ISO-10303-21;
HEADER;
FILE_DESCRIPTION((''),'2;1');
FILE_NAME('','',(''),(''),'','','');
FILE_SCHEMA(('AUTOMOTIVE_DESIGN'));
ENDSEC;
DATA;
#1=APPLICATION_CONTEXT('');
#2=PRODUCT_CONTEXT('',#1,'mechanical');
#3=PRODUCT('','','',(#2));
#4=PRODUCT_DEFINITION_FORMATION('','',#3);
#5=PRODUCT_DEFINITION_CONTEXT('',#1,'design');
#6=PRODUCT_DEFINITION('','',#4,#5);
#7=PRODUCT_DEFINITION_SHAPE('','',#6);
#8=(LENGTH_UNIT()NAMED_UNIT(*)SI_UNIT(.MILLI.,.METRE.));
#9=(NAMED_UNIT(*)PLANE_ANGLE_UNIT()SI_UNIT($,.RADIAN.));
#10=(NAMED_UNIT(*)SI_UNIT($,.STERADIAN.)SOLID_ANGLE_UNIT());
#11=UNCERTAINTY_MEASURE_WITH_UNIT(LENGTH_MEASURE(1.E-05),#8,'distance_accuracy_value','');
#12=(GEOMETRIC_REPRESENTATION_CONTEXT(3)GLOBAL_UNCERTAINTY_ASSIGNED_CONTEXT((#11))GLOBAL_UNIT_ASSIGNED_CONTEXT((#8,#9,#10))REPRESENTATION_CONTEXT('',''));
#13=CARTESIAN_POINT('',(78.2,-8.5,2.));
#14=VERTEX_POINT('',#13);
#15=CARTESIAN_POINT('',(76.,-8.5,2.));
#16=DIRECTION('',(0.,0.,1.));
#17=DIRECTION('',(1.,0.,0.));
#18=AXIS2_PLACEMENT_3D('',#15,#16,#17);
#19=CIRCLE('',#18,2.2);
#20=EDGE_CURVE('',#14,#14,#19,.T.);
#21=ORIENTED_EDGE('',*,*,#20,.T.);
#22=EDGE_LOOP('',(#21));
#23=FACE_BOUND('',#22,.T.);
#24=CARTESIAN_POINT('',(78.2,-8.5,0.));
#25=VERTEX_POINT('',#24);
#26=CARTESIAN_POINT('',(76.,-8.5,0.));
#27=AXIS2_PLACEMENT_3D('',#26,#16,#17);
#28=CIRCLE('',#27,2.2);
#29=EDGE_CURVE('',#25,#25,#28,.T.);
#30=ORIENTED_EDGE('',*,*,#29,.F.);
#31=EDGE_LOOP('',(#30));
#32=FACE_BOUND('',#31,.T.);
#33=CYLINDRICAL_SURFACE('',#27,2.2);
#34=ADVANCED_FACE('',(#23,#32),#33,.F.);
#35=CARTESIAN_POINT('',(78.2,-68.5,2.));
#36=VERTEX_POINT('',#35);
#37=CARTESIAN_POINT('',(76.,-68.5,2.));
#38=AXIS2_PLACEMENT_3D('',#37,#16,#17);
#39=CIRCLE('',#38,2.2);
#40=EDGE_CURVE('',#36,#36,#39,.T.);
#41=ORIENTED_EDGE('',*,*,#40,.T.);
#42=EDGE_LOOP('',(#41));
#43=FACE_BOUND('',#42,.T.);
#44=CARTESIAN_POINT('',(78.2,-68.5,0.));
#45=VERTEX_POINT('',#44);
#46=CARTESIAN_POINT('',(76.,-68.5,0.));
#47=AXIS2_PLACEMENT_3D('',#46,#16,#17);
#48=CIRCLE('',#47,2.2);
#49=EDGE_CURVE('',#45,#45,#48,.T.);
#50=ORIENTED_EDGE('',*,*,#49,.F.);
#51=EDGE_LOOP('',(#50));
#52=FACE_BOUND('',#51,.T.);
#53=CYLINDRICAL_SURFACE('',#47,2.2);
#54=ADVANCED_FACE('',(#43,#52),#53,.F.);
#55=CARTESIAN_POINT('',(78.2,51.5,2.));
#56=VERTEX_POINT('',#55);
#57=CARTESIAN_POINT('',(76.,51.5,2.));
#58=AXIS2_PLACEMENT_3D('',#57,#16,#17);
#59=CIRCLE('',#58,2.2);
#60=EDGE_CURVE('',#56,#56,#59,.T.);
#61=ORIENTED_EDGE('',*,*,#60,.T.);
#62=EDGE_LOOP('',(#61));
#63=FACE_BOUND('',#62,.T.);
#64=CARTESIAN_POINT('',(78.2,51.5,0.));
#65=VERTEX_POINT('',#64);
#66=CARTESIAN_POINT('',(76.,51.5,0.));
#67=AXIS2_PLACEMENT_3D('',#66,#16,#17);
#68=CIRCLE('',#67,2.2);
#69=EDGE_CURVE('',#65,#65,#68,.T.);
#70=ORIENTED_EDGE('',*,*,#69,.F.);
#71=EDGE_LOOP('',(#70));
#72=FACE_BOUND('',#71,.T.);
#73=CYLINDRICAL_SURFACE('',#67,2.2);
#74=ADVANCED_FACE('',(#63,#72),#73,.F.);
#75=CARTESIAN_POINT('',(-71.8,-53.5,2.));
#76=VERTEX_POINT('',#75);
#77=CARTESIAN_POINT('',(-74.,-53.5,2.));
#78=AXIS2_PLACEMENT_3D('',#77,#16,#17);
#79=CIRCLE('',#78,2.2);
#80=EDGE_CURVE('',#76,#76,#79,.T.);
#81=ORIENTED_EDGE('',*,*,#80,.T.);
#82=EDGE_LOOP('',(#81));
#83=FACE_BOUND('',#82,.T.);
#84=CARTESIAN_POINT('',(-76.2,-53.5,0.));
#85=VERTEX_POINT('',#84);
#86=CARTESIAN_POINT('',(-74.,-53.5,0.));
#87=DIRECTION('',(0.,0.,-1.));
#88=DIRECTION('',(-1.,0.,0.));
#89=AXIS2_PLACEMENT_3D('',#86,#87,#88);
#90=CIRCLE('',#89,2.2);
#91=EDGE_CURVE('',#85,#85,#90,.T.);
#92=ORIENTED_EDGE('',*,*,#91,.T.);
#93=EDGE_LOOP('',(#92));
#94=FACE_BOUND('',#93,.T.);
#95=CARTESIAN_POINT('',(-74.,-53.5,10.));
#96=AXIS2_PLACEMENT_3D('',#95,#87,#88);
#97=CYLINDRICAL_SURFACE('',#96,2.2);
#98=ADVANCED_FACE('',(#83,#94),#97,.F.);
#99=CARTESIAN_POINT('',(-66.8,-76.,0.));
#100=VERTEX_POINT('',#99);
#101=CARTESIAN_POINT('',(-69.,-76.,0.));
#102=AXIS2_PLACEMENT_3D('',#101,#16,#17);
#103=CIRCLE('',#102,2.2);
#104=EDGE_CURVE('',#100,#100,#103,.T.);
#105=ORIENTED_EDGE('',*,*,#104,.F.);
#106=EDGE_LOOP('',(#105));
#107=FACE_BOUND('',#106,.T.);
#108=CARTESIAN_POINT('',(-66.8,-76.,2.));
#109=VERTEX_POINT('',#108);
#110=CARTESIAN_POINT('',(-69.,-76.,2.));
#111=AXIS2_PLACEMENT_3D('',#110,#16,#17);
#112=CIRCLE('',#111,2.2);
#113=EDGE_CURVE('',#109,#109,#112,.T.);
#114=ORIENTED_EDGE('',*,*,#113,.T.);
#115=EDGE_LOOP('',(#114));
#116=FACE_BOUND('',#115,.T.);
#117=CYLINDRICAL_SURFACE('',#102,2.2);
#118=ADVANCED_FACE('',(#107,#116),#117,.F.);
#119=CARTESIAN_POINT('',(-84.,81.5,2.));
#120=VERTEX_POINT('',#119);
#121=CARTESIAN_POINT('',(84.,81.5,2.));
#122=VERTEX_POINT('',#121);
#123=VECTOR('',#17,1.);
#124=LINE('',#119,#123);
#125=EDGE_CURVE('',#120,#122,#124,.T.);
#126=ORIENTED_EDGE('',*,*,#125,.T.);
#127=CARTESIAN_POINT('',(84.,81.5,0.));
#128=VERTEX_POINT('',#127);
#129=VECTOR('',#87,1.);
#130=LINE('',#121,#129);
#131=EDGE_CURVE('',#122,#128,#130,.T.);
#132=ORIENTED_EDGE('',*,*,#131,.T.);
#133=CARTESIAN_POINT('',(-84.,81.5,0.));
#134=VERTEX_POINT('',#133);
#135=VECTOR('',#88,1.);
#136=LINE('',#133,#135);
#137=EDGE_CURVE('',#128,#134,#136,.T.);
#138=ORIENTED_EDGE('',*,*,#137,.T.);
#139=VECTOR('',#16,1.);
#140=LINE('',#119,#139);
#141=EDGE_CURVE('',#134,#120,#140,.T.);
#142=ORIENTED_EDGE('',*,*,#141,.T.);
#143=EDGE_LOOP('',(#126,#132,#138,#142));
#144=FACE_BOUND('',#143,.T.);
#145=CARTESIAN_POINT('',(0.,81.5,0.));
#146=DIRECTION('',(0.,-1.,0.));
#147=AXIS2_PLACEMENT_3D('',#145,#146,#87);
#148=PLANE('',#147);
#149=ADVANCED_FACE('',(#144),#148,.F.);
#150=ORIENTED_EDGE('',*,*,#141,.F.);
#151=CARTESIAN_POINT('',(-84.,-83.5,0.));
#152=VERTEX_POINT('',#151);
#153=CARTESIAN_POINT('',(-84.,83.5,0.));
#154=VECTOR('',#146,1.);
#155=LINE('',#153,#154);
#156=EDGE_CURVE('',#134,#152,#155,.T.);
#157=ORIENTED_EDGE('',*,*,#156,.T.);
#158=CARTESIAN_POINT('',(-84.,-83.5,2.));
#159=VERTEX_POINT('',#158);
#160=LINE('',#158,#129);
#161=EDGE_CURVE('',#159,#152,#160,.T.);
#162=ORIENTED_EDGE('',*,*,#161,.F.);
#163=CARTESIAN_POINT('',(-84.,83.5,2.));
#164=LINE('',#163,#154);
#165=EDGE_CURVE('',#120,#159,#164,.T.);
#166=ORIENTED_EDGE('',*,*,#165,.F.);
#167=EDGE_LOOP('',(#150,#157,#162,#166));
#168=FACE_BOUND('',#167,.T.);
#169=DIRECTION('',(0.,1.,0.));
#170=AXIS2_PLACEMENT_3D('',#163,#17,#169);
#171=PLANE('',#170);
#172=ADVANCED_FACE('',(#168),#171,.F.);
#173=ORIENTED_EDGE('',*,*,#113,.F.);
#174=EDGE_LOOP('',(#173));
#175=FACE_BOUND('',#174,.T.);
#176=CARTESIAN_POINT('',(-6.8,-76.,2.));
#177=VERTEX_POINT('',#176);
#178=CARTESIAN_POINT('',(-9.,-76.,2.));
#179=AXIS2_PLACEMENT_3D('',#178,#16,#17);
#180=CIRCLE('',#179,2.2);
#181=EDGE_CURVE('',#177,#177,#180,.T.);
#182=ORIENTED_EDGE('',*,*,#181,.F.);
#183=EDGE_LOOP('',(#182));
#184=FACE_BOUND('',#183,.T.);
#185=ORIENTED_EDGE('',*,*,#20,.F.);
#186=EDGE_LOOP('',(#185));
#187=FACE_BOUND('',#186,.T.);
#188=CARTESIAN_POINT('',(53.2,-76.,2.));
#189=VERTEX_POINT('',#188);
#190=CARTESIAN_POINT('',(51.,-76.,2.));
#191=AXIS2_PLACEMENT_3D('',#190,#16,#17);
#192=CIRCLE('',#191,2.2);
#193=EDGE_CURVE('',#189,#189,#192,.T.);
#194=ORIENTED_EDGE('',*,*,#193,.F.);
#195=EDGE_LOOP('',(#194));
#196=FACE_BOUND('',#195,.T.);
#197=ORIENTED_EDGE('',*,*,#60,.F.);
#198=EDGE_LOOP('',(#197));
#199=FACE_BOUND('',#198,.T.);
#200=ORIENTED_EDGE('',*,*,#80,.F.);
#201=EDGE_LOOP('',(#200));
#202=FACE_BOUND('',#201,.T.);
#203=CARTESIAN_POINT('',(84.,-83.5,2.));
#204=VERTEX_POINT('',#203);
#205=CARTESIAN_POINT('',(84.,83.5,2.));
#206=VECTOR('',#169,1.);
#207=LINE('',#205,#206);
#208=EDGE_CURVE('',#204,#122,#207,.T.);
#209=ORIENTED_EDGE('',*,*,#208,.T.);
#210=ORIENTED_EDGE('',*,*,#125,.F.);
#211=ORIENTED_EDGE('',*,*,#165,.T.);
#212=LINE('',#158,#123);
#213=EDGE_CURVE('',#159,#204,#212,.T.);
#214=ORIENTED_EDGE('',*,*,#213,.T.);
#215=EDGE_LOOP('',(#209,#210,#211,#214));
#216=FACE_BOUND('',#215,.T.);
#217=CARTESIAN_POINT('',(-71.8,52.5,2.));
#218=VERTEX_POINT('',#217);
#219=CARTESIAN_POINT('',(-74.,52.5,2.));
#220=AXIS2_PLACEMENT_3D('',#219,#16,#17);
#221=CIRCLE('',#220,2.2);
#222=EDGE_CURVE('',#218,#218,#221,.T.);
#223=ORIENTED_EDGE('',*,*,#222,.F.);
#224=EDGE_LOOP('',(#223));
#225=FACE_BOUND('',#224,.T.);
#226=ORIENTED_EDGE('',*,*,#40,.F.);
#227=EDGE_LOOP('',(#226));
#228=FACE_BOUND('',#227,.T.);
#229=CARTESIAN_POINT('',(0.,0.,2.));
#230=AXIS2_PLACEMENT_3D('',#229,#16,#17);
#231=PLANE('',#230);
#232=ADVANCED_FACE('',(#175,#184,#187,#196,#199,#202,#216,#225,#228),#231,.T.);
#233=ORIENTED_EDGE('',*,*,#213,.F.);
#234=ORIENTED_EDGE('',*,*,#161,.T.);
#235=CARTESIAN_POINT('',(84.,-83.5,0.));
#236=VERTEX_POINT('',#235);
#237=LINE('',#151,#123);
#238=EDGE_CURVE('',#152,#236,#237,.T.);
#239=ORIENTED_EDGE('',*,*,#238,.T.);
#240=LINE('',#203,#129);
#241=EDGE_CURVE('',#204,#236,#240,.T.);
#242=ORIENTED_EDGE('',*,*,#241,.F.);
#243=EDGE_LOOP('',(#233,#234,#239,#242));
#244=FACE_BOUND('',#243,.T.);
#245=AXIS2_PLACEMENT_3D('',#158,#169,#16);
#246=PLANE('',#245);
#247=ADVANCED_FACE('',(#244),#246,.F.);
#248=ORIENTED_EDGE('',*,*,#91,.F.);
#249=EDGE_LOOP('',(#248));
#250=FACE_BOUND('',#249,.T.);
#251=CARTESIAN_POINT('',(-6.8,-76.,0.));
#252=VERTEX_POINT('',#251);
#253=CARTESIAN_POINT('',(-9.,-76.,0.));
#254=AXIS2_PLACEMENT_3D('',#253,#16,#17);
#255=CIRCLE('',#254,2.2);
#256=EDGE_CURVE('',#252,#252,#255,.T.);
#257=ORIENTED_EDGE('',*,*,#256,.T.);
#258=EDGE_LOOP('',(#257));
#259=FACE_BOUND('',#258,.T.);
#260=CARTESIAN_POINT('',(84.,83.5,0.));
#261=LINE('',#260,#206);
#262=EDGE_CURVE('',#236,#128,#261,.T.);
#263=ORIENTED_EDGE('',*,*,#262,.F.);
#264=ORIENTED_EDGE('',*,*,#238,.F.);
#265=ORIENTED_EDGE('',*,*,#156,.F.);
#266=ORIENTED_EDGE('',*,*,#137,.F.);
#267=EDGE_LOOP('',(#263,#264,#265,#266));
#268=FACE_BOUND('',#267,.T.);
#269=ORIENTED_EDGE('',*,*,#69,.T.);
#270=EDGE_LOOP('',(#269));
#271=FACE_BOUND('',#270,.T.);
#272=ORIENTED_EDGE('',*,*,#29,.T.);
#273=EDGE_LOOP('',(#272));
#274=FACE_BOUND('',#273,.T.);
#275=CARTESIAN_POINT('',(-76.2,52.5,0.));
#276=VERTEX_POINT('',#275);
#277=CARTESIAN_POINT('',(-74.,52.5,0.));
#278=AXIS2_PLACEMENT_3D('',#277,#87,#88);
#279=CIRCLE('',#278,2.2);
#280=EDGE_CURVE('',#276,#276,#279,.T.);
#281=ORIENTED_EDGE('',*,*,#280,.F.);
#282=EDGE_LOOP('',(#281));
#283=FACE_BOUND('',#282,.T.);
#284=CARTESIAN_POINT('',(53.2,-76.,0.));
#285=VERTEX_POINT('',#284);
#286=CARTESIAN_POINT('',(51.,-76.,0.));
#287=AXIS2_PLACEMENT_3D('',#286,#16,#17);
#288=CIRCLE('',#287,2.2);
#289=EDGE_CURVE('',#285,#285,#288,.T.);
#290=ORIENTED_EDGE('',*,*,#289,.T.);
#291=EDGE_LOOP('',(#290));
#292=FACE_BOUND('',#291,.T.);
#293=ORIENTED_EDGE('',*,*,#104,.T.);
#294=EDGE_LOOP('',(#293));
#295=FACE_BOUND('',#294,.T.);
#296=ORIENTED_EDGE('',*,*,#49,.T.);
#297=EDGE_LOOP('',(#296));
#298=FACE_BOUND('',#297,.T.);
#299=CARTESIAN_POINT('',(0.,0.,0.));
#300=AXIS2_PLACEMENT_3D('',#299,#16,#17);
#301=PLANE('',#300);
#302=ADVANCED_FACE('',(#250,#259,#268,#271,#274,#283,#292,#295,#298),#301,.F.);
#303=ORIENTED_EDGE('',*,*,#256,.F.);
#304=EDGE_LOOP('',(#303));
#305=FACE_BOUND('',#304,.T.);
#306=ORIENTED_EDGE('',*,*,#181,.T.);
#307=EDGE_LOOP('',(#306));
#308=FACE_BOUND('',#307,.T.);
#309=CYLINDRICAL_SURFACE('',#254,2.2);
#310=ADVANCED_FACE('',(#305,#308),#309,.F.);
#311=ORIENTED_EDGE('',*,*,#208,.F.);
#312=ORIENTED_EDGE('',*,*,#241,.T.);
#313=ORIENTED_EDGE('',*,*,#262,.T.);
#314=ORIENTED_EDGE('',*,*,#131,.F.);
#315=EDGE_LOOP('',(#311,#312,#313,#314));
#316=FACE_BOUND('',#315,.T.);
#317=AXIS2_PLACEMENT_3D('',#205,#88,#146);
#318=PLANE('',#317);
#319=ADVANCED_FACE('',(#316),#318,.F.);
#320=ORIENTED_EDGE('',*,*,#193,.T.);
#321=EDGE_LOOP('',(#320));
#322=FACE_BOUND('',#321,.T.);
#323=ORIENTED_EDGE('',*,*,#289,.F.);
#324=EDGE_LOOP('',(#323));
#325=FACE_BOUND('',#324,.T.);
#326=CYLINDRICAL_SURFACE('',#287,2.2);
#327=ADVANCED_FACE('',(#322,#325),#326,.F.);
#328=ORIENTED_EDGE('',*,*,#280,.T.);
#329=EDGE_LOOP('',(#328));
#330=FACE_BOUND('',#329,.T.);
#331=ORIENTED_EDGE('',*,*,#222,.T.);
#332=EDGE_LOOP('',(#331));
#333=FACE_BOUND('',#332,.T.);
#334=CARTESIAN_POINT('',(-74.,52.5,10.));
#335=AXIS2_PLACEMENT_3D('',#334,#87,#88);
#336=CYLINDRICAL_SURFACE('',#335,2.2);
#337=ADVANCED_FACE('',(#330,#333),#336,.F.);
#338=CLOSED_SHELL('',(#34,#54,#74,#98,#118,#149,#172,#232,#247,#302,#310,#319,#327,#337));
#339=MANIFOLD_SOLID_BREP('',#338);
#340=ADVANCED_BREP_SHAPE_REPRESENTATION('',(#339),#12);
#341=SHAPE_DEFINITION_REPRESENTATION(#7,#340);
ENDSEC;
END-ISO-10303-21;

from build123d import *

# Parameters (mm, degrees)
SKETCH_1_W          = 168
SKETCH_1_H          = 167
EXTRUDE_1_DEPTH     = 2
SKETCH_2_R          = 2.2
CUT_EXTRUDE_1_DEPTH = 2
SKETCH_3_W          = 168
SKETCH_3_H          = 2
CUT_EXTRUDE_2_DEPTH = 2
SKETCH_4_R          = 2.2
CUT_EXTRUDE_3_DEPTH = 2
SKETCH_6_R          = 2.2
CUT_EXTRUDE_5_DEPTH = 10
SKETCH_7_R          = 2.2
CUT_EXTRUDE_6_DEPTH = 10


with BuildPart() as part:
    # ｽｹｯﾁ1 → ﾎﾞｽ - 押し出し1 (new body)
    with BuildSketch(Plane.XY):
        Rectangle(SKETCH_1_W, SKETCH_1_H)
    extrude(amount=EXTRUDE_1_DEPTH)

    # ｽｹｯﾁ2 → ｶｯﾄ - 押し出し1 (cut)
    with BuildSketch(Plane.XY.offset(2)):
        with Locations((76, -68.5)):
            Circle(SKETCH_2_R)
        with Locations((76, -8.5)):
            Circle(SKETCH_2_R)
        with Locations((76, 51.5)):
            Circle(SKETCH_2_R)
    extrude(amount=-CUT_EXTRUDE_1_DEPTH, mode=Mode.SUBTRACT)

    # ｽｹｯﾁ3 → ｶｯﾄ - 押し出し2 (cut)
    with BuildSketch(Plane(origin=(0, 83.5, 0), x_dir=(1, 0, 0), z_dir=(0, 1, 0))):
        with Locations((0, -1)):
            Rectangle(SKETCH_3_W, SKETCH_3_H)
    extrude(amount=-CUT_EXTRUDE_2_DEPTH, mode=Mode.SUBTRACT)

    # ｽｹｯﾁ4 → ｶｯﾄ - 押し出し3 (cut)
    with BuildSketch(Plane.XY.offset(2)):
        with BuildLine():
            ThreePointArc((-6.8, -76), (-9, -73.8), (-11.2, -76))
            Line((-11.2, -76), (-9, -76))
            Line((-9, -76), (-6.8, -76))
        make_face()
        with BuildLine():
            Line((-9, -76), (-11.2, -76))
            ThreePointArc((-11.2, -76), (-9, -78.2), (-6.8, -76))
            Line((-6.8, -76), (-9, -76))
        make_face()
        with BuildLine():
            ThreePointArc((-66.8, -76), (-69, -73.8), (-71.2, -76))
            Line((-71.2, -76), (-69, -76))
            Line((-69, -76), (-66.8, -76))
        make_face()
        with BuildLine():
            Line((-69, -76), (-71.2, -76))
            ThreePointArc((-71.2, -76), (-69, -78.2), (-66.8, -76))
            Line((-66.8, -76), (-69, -76))
        make_face()
        with Locations((51, -76)):
            Circle(SKETCH_4_R)
    extrude(amount=-CUT_EXTRUDE_3_DEPTH, mode=Mode.SUBTRACT)

    # ｽｹｯﾁ6 → ｶｯﾄ - 押し出し5 (cut)
    with BuildSketch(Plane(origin=(0, 0, 0), x_dir=(-1, 0, 0), z_dir=(0, 0, -1))):
        with Locations((74, 52.5)):
            Circle(SKETCH_6_R)
    extrude(amount=-CUT_EXTRUDE_5_DEPTH, mode=Mode.SUBTRACT)

    # ｽｹｯﾁ7 → ｶｯﾄ - 押し出し6 (cut)
    with BuildSketch(Plane(origin=(0, 0, 0), x_dir=(-1, 0, 0), z_dir=(0, 0, -1))):
        with Locations((74, -53.5)):
            Circle(SKETCH_7_R)
    extrude(amount=-CUT_EXTRUDE_6_DEPTH, mode=Mode.SUBTRACT)


solid = part.part
